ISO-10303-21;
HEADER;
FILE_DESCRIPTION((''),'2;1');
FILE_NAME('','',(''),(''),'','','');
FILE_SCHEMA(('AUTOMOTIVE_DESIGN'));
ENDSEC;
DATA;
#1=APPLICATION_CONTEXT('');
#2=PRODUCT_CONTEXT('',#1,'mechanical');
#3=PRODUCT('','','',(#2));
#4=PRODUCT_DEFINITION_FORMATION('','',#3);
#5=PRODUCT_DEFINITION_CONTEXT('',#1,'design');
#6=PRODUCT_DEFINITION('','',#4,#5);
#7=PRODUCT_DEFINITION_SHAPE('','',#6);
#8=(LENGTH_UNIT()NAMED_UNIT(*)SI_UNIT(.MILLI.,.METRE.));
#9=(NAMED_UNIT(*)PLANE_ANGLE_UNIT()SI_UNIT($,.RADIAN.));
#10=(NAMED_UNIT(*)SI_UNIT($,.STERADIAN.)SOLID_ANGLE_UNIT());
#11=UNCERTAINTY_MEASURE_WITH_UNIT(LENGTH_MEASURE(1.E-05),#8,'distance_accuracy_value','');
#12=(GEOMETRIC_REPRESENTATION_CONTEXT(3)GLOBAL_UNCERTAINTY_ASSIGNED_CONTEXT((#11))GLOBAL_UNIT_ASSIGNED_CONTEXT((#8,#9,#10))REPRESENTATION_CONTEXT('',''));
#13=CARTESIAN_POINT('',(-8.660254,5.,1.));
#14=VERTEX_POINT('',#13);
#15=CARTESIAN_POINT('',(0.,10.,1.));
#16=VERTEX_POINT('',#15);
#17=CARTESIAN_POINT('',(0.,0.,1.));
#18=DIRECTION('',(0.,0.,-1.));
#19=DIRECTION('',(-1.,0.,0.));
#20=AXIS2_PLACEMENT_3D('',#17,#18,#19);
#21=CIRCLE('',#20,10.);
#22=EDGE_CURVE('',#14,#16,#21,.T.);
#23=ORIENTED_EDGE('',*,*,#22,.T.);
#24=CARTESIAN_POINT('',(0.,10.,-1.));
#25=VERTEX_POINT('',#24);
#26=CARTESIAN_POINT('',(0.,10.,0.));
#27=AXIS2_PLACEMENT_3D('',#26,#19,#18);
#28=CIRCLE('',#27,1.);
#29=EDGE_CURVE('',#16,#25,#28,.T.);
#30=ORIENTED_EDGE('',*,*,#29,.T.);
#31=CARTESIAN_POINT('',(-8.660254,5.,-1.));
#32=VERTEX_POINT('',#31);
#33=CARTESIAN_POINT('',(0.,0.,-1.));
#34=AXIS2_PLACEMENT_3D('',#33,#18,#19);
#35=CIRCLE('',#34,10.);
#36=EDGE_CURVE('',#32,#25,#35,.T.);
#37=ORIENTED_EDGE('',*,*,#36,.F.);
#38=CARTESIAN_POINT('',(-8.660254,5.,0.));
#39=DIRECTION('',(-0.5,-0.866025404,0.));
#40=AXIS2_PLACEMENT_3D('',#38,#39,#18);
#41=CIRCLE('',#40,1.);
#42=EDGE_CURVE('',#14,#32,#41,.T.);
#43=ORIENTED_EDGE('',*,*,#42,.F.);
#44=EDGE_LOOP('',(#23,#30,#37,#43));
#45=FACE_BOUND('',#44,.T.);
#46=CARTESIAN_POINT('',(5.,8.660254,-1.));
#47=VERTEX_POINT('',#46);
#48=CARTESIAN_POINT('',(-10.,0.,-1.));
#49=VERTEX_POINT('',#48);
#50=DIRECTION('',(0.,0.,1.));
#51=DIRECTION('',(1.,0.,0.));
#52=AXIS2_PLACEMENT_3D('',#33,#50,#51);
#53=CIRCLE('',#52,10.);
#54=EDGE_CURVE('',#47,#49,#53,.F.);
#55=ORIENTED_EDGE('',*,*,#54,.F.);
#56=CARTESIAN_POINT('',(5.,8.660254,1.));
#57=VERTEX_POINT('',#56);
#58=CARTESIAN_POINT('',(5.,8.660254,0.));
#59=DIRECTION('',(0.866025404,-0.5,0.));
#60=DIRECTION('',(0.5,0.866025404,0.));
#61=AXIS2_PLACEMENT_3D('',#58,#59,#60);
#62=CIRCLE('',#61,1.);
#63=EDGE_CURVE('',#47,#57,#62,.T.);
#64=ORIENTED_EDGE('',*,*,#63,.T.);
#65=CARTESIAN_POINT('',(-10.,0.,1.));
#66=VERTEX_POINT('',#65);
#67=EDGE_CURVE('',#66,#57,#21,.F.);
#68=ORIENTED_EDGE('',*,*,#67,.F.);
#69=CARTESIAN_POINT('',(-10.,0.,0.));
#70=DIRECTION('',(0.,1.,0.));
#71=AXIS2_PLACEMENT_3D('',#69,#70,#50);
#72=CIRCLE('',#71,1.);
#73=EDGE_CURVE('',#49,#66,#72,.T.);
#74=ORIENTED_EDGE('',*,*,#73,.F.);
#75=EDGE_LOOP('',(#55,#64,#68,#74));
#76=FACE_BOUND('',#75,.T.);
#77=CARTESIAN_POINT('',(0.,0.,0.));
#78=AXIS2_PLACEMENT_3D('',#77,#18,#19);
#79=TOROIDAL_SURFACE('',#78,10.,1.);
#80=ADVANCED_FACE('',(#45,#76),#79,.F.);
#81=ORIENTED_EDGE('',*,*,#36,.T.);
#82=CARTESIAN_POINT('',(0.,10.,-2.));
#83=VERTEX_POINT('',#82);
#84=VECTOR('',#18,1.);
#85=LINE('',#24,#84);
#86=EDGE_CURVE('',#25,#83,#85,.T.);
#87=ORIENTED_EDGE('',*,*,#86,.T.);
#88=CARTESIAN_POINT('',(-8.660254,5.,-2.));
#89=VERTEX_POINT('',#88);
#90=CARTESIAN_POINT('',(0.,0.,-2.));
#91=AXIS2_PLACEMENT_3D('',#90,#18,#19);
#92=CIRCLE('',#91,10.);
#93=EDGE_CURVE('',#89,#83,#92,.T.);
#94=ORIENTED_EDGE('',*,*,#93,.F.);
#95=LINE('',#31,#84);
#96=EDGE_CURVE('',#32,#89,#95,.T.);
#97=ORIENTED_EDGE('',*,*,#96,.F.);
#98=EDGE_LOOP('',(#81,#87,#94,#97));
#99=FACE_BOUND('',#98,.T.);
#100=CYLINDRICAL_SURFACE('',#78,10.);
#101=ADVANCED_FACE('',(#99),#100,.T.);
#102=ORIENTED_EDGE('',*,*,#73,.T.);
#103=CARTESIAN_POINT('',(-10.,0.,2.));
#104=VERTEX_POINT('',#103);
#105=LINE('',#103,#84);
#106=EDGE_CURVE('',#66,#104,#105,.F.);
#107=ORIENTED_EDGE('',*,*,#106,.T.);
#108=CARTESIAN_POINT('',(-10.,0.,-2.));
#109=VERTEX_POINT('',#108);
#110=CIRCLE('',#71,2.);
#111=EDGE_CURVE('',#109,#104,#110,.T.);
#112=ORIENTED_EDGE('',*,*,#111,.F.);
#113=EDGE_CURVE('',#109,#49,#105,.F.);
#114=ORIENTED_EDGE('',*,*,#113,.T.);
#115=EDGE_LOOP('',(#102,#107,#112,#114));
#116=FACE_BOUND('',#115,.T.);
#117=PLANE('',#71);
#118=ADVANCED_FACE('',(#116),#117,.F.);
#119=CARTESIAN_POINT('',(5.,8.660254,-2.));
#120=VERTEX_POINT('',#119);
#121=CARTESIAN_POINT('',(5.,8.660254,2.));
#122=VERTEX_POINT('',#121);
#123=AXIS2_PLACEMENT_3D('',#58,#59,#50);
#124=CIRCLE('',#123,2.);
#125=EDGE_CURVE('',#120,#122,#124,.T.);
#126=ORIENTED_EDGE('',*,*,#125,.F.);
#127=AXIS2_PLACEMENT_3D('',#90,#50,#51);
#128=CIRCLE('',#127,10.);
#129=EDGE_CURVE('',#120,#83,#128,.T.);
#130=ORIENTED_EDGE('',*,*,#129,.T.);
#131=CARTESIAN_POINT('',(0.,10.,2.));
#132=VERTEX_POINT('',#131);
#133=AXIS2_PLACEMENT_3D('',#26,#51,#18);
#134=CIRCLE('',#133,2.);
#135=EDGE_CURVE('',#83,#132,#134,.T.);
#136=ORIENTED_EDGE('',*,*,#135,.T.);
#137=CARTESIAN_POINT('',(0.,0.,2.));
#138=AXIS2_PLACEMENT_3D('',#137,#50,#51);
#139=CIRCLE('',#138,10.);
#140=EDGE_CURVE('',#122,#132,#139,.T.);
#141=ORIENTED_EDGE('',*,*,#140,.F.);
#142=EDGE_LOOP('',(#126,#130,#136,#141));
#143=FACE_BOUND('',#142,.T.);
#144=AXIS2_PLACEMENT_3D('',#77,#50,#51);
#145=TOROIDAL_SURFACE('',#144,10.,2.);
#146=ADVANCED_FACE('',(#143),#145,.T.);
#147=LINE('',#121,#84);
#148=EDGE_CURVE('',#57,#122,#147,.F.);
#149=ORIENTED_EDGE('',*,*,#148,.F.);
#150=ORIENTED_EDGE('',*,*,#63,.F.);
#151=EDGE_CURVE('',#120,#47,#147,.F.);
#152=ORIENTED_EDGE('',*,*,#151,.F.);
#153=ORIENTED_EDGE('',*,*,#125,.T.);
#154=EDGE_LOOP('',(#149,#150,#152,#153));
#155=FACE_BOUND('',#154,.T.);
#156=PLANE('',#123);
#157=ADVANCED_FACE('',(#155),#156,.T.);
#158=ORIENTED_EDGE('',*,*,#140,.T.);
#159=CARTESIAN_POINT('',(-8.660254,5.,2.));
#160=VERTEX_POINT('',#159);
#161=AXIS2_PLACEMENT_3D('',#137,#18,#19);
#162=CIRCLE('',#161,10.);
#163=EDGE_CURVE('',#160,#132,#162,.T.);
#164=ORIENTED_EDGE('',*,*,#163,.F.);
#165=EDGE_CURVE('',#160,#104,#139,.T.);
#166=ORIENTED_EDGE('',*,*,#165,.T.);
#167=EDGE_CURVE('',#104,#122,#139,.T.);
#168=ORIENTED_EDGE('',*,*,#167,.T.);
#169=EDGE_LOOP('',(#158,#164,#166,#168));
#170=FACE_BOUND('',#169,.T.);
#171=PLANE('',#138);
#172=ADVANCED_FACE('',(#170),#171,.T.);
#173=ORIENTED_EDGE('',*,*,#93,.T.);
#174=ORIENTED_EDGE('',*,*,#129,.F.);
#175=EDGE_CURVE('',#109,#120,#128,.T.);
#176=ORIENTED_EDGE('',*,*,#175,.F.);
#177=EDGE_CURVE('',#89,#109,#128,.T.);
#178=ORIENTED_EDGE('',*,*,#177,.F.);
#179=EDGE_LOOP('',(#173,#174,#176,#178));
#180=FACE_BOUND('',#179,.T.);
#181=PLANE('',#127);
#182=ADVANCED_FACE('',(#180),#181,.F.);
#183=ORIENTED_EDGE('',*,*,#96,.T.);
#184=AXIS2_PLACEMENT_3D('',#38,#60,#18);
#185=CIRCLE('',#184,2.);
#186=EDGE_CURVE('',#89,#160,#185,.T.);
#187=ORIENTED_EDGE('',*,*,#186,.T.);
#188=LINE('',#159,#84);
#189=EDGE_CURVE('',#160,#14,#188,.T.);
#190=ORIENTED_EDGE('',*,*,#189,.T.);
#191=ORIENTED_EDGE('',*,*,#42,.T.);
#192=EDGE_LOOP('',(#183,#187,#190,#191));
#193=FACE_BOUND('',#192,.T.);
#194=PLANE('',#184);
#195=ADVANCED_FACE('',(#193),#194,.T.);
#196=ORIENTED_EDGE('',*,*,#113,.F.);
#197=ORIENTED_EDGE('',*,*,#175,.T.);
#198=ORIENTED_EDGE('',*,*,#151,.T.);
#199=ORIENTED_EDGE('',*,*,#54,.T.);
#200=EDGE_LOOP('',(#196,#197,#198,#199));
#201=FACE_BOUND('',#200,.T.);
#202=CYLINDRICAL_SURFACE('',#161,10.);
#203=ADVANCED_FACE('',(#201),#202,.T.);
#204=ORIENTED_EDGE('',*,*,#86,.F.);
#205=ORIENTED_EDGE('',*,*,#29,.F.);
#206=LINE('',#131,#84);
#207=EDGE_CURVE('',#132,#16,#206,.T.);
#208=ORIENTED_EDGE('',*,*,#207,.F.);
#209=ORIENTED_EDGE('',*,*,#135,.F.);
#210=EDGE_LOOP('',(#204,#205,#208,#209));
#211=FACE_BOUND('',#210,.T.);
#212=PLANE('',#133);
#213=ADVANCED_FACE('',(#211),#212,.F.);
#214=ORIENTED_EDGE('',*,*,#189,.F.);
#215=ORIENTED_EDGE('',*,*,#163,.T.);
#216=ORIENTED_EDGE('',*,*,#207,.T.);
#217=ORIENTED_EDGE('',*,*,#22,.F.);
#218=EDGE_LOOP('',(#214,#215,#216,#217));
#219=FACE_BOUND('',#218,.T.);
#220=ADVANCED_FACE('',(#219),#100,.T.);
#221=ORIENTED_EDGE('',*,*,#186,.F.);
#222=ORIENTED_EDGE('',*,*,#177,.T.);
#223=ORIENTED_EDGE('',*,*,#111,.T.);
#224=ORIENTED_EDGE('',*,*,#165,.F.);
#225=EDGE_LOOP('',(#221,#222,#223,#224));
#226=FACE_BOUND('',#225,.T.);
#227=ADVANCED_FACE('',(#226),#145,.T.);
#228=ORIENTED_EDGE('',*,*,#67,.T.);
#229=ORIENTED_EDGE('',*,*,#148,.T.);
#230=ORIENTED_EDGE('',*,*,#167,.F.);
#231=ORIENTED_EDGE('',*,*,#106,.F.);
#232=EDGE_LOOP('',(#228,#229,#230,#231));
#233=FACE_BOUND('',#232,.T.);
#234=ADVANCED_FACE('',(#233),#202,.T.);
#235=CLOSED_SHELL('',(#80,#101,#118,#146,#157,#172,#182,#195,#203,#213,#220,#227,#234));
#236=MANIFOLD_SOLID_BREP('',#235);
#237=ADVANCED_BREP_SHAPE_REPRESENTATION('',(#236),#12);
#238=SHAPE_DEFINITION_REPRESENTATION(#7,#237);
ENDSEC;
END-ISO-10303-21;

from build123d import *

# Parameters (mm, degrees)
ESQUISSE1_R                             = 10
BOSS_EXTRU_1_DEPTH                      = 2
ESQUISSE4_R                             = 2
R_VOLUTION1_ANGLE                       = 120
ESQUISSE2_R                             = 1
ENL_VEMENT_DE_MATI_RE_R_VOLUTION2_ANGLE = 60


with BuildPart() as part:
    # Esquisse1 → Boss.-Extru.1 (new body, symmetric)
    with BuildSketch(Plane.XY):
        Circle(ESQUISSE1_R)
    extrude(amount=BOSS_EXTRU_1_DEPTH, both=True)

    # Esquisse4 → Révolution1 (revolve)
    with BuildSketch(Plane(origin=(0, 0, 0), x_dir=(1, 0, 0), z_dir=(0, 1, 0))):
        with Locations((-10, 0)):
            Circle(ESQUISSE4_R)
    revolve(axis=Axis((0, 0, 2), (0, 0, -1)), revolution_arc=R_VOLUTION1_ANGLE)

    # Esquisse2 → Enlèvement de matière-Révolution1 (revolve, cut)
    with BuildSketch(Plane(origin=(0, 0, 0), x_dir=(0, 0, -1), z_dir=(1, 0, 0))):
        with Locations((0, 10)):
            Circle(ESQUISSE2_R)
    revolve(axis=Axis((0, 0, -8.634448203), (0, 0, 1)), mode=Mode.SUBTRACT)

    # Esquisse6 → Enlèvement de matière-Révolution2 (revolve, cut)
    with BuildSketch(Plane(origin=(0, 0, 0), x_dir=(0, 0, -1), z_dir=(1, 0, 0))):
        with BuildLine():
            Line((-2, 10), (-1, 10))
            ThreePointArc((-1, 10), (0, 11), (1, 10))
            Line((1, 10), (2, 10))
            ThreePointArc((2, 10), (0, 12), (-2, 10))
        make_face()
    revolve(axis=Axis((0, 0, 0), (0, 0, 1)), revolution_arc=ENL_VEMENT_DE_MATI_RE_R_VOLUTION2_ANGLE, mode=Mode.SUBTRACT)


solid = part.part
